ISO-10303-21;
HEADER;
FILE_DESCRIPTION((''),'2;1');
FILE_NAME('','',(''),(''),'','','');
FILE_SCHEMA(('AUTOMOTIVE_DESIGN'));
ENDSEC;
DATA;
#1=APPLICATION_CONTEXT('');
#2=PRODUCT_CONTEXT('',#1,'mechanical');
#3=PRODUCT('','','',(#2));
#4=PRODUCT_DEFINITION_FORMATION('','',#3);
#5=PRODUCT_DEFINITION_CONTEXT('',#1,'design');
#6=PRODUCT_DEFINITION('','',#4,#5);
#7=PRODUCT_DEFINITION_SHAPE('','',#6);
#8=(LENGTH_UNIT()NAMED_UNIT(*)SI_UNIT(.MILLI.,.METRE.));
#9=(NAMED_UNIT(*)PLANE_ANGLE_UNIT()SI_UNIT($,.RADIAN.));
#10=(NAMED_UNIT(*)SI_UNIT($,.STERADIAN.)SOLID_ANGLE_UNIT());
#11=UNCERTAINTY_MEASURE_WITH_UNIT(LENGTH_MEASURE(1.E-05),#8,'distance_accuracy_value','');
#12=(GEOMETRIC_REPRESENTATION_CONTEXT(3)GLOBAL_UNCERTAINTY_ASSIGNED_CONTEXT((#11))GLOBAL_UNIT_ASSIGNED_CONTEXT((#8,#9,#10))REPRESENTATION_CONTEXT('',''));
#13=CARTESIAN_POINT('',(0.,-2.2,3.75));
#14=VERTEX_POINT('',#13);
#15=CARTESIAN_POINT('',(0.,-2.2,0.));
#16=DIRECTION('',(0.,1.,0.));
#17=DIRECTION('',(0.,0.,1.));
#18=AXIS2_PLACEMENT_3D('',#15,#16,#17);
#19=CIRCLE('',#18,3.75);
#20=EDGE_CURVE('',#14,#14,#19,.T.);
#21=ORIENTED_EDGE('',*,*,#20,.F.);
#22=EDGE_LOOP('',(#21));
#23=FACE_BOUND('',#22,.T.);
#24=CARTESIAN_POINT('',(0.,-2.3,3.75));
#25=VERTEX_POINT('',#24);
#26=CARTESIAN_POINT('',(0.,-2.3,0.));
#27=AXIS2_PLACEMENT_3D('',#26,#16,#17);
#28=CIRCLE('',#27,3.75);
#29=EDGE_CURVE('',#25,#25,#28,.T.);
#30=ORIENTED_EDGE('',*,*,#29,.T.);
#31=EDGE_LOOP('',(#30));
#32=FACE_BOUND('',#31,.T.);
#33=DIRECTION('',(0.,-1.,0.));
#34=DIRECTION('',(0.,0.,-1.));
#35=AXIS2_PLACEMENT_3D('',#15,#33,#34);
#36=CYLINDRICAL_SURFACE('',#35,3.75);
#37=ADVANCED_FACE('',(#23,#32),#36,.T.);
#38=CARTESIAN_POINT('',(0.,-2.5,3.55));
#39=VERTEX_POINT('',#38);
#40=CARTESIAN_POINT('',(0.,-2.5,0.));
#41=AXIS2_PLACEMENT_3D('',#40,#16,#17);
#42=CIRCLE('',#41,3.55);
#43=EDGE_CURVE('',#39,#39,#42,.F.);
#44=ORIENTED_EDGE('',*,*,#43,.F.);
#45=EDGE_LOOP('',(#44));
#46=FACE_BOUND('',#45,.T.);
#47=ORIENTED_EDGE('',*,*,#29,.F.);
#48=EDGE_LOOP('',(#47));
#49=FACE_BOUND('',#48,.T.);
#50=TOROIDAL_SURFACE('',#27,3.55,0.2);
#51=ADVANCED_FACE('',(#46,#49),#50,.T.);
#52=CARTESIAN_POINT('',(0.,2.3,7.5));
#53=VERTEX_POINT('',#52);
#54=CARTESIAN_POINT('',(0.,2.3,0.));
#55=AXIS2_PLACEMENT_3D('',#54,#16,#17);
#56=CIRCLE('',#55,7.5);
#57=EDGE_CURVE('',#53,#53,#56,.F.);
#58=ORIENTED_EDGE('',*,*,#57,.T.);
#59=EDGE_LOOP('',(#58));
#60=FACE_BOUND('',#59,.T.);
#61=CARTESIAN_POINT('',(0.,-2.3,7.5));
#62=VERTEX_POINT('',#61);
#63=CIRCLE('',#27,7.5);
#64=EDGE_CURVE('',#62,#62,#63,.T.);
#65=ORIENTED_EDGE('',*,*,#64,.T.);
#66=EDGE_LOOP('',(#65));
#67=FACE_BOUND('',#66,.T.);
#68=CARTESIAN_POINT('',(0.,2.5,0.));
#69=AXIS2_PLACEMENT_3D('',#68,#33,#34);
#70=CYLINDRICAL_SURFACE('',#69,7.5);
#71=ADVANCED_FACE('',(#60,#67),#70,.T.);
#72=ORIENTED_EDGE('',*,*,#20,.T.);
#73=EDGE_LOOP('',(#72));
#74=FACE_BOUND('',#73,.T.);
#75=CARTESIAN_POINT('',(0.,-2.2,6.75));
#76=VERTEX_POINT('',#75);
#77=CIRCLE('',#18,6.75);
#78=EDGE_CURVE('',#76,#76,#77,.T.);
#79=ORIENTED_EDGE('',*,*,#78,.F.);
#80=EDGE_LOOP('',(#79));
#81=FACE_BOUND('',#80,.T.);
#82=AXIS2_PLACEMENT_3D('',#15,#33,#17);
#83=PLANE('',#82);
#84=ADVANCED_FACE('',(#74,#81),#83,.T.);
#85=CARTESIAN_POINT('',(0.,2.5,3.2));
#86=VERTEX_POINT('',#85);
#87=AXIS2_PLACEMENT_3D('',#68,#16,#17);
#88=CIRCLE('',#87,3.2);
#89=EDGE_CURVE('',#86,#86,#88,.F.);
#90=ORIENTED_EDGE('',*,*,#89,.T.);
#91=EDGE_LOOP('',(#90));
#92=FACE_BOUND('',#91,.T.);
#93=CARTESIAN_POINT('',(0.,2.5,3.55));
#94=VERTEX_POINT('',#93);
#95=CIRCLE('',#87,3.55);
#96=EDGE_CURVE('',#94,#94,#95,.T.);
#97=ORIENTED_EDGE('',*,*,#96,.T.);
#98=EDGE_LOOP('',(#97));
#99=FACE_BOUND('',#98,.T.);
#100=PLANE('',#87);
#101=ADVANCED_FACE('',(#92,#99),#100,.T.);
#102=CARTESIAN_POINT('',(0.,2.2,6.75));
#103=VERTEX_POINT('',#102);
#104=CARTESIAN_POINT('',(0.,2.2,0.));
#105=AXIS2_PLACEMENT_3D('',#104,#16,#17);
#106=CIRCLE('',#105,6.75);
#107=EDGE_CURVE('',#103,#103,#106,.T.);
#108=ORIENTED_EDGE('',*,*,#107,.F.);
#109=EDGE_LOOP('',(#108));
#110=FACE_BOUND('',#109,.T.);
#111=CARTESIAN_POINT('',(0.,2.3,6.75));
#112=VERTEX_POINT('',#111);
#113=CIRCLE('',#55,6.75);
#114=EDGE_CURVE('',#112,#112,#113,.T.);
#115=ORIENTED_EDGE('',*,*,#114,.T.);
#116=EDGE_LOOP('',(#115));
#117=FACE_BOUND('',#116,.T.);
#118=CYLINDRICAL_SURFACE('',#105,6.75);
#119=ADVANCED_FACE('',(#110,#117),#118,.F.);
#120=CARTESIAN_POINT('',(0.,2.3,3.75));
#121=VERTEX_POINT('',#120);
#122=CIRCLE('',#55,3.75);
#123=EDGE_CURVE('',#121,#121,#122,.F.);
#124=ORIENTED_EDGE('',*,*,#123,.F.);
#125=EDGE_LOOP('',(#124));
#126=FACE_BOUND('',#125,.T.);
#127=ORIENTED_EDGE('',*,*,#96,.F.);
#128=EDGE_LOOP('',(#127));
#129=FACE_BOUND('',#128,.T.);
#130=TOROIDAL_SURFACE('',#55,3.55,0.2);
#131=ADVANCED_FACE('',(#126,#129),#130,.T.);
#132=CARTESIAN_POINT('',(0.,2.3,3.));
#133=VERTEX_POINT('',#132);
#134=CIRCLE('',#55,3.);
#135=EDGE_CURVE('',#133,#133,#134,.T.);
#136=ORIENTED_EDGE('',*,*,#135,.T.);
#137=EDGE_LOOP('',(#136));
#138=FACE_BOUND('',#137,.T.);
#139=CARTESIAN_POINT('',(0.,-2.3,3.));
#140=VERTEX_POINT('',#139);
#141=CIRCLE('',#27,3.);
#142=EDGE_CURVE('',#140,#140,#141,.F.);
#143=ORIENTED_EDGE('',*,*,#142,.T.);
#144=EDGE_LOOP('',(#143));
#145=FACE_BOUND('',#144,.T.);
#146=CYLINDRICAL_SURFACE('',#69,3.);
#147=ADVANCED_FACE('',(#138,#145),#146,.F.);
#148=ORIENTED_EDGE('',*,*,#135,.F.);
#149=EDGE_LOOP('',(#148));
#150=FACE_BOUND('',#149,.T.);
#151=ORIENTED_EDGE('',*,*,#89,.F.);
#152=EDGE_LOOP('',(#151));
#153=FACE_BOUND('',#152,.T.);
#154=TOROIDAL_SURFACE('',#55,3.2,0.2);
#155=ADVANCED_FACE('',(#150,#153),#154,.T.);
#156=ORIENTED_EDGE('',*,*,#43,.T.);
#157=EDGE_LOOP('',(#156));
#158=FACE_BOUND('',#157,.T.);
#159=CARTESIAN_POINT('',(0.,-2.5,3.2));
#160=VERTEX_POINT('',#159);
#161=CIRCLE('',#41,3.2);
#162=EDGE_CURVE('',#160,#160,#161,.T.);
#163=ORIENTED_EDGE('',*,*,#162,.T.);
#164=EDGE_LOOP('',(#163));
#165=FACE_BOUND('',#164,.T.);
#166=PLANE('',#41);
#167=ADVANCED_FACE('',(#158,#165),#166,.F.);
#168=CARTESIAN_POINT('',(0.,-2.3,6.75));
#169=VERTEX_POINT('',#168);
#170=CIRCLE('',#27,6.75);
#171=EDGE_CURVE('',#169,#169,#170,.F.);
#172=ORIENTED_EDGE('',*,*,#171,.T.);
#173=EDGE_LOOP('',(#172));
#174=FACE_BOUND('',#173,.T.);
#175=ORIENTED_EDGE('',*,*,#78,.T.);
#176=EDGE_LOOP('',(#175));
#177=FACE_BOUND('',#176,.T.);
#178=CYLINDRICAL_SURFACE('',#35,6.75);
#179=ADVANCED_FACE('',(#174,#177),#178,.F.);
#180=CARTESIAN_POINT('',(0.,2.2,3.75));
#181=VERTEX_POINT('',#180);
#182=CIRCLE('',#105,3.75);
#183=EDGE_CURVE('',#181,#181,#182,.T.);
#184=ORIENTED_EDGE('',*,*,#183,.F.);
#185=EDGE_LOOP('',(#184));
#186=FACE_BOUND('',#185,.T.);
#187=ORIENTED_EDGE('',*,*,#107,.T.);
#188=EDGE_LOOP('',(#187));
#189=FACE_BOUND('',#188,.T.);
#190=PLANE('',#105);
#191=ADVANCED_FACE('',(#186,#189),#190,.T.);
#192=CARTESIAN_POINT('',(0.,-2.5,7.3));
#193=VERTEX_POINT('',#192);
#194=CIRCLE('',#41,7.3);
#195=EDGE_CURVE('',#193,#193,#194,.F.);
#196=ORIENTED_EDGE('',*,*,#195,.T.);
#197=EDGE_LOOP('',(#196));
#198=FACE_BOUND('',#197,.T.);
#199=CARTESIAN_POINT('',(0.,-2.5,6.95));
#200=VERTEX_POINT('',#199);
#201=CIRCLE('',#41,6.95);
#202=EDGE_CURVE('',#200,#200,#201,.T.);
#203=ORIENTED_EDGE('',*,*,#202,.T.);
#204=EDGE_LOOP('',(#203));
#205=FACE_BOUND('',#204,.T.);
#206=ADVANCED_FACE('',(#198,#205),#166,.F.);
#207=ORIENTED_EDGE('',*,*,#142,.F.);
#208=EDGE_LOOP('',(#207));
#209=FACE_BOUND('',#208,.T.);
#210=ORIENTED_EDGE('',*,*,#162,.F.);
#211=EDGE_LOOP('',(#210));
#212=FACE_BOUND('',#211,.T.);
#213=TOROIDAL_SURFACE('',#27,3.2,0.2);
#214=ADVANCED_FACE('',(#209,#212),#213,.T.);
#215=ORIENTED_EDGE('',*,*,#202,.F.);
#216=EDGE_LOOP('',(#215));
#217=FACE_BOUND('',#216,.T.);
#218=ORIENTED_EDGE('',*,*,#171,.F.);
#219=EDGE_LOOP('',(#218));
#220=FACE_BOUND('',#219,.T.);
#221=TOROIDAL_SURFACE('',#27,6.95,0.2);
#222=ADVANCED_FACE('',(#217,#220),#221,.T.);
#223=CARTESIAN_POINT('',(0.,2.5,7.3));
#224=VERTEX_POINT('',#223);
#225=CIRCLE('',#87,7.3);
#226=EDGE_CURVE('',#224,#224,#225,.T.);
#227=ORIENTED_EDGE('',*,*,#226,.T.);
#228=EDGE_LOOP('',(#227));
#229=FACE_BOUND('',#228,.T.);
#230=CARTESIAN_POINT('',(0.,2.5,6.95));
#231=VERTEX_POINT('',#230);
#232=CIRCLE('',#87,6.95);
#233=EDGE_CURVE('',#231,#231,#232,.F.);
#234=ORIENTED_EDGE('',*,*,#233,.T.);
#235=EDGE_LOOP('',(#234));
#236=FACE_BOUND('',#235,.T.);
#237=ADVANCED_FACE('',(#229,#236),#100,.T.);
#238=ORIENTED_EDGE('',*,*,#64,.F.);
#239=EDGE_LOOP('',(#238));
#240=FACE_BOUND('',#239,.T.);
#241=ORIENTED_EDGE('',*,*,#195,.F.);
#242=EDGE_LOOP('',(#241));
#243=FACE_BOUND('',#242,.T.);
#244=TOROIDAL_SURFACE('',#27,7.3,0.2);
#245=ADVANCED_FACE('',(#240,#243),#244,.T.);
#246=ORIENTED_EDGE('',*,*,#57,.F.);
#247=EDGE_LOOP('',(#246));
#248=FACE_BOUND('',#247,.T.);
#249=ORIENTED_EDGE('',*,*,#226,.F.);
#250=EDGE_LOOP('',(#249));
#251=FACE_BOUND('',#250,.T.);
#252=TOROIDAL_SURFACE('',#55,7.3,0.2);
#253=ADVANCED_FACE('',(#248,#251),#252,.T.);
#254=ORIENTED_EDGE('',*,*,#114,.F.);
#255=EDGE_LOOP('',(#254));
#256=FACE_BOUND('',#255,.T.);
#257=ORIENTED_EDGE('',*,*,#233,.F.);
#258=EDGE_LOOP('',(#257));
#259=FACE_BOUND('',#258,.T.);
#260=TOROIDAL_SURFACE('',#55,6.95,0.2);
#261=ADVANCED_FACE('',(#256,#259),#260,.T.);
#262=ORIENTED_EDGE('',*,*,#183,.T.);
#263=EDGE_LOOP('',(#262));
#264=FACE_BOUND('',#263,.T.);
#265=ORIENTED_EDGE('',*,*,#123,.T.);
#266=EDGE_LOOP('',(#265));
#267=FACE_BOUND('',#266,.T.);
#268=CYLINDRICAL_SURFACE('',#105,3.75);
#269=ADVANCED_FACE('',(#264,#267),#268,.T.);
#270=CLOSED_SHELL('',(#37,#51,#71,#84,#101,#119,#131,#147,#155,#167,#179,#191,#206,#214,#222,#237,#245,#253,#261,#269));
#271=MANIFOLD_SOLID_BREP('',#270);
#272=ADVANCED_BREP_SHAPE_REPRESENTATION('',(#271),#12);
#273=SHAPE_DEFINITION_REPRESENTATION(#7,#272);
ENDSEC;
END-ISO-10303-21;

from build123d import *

# Parameters (mm, degrees)
SKETCH_1_R          = 7.5
SKETCH_1_R_2        = 3
EXTRUDE_1_DEPTH     = 2.5
SKETCH_2_R          = 6.75
SKETCH_2_R_2        = 3.75
CUT_EXTRUDE_1_DEPTH = 0.3
FILLET_1_R          = 0.2


with BuildPart() as part:
    # ｽｹｯﾁ1 → ﾎﾞｽ - 押し出し1 (new, symmetric)
    with BuildSketch(Plane(origin=(0, 0, 0), x_dir=(1, 0, 0), z_dir=(0, 1, 0))):
        with Locations(Location((0, 0, 0), (0, 0, 270))):
            Circle(SKETCH_1_R)
        with Locations(Location((0, 0, 0), (0, 0, 270))):
            Circle(SKETCH_1_R_2, mode=Mode.SUBTRACT)
    extrude(amount=EXTRUDE_1_DEPTH, both=True)

    # ｽｹｯﾁ2 → ｶｯﾄ - 押し出し1 (cut)
    with BuildSketch(Plane(origin=(0, 2.5, 0), x_dir=(1, 0, 0), z_dir=(0, 1, 0))):
        with Locations(Location((0, 0, 0), (0, 0, 270))):
            Circle(SKETCH_2_R)
        with Locations(Location((0, 0, 0), (0, 0, 270))):
            Circle(SKETCH_2_R_2, mode=Mode.SUBTRACT)
    cut_extrude_1 = extrude(amount=-CUT_EXTRUDE_1_DEPTH, mode=Mode.SUBTRACT)

    # ﾐﾗｰ1: ｶｯﾄ - 押し出し1 across plane
    add(cut_extrude_1.mirror(Plane.ZX), mode=Mode.SUBTRACT)

    # ﾌｨﾚｯﾄ1
    fillet_1_edges = [part.edges().sort_by_distance(p)[0] for p in [
        (0, 2.5, -3.75),
        (0, 2.5, -6.75),
        (0, -2.5, -6.75),
        (0, -2.5, -3.75),
        (0, -2.5, -7.5),
        (0, 2.5, -7.5),
        (0, -2.5, -3),
        (0, 2.5, -3),
    ]]
    fillet(fillet_1_edges, radius=FILLET_1_R)


solid = part.part
